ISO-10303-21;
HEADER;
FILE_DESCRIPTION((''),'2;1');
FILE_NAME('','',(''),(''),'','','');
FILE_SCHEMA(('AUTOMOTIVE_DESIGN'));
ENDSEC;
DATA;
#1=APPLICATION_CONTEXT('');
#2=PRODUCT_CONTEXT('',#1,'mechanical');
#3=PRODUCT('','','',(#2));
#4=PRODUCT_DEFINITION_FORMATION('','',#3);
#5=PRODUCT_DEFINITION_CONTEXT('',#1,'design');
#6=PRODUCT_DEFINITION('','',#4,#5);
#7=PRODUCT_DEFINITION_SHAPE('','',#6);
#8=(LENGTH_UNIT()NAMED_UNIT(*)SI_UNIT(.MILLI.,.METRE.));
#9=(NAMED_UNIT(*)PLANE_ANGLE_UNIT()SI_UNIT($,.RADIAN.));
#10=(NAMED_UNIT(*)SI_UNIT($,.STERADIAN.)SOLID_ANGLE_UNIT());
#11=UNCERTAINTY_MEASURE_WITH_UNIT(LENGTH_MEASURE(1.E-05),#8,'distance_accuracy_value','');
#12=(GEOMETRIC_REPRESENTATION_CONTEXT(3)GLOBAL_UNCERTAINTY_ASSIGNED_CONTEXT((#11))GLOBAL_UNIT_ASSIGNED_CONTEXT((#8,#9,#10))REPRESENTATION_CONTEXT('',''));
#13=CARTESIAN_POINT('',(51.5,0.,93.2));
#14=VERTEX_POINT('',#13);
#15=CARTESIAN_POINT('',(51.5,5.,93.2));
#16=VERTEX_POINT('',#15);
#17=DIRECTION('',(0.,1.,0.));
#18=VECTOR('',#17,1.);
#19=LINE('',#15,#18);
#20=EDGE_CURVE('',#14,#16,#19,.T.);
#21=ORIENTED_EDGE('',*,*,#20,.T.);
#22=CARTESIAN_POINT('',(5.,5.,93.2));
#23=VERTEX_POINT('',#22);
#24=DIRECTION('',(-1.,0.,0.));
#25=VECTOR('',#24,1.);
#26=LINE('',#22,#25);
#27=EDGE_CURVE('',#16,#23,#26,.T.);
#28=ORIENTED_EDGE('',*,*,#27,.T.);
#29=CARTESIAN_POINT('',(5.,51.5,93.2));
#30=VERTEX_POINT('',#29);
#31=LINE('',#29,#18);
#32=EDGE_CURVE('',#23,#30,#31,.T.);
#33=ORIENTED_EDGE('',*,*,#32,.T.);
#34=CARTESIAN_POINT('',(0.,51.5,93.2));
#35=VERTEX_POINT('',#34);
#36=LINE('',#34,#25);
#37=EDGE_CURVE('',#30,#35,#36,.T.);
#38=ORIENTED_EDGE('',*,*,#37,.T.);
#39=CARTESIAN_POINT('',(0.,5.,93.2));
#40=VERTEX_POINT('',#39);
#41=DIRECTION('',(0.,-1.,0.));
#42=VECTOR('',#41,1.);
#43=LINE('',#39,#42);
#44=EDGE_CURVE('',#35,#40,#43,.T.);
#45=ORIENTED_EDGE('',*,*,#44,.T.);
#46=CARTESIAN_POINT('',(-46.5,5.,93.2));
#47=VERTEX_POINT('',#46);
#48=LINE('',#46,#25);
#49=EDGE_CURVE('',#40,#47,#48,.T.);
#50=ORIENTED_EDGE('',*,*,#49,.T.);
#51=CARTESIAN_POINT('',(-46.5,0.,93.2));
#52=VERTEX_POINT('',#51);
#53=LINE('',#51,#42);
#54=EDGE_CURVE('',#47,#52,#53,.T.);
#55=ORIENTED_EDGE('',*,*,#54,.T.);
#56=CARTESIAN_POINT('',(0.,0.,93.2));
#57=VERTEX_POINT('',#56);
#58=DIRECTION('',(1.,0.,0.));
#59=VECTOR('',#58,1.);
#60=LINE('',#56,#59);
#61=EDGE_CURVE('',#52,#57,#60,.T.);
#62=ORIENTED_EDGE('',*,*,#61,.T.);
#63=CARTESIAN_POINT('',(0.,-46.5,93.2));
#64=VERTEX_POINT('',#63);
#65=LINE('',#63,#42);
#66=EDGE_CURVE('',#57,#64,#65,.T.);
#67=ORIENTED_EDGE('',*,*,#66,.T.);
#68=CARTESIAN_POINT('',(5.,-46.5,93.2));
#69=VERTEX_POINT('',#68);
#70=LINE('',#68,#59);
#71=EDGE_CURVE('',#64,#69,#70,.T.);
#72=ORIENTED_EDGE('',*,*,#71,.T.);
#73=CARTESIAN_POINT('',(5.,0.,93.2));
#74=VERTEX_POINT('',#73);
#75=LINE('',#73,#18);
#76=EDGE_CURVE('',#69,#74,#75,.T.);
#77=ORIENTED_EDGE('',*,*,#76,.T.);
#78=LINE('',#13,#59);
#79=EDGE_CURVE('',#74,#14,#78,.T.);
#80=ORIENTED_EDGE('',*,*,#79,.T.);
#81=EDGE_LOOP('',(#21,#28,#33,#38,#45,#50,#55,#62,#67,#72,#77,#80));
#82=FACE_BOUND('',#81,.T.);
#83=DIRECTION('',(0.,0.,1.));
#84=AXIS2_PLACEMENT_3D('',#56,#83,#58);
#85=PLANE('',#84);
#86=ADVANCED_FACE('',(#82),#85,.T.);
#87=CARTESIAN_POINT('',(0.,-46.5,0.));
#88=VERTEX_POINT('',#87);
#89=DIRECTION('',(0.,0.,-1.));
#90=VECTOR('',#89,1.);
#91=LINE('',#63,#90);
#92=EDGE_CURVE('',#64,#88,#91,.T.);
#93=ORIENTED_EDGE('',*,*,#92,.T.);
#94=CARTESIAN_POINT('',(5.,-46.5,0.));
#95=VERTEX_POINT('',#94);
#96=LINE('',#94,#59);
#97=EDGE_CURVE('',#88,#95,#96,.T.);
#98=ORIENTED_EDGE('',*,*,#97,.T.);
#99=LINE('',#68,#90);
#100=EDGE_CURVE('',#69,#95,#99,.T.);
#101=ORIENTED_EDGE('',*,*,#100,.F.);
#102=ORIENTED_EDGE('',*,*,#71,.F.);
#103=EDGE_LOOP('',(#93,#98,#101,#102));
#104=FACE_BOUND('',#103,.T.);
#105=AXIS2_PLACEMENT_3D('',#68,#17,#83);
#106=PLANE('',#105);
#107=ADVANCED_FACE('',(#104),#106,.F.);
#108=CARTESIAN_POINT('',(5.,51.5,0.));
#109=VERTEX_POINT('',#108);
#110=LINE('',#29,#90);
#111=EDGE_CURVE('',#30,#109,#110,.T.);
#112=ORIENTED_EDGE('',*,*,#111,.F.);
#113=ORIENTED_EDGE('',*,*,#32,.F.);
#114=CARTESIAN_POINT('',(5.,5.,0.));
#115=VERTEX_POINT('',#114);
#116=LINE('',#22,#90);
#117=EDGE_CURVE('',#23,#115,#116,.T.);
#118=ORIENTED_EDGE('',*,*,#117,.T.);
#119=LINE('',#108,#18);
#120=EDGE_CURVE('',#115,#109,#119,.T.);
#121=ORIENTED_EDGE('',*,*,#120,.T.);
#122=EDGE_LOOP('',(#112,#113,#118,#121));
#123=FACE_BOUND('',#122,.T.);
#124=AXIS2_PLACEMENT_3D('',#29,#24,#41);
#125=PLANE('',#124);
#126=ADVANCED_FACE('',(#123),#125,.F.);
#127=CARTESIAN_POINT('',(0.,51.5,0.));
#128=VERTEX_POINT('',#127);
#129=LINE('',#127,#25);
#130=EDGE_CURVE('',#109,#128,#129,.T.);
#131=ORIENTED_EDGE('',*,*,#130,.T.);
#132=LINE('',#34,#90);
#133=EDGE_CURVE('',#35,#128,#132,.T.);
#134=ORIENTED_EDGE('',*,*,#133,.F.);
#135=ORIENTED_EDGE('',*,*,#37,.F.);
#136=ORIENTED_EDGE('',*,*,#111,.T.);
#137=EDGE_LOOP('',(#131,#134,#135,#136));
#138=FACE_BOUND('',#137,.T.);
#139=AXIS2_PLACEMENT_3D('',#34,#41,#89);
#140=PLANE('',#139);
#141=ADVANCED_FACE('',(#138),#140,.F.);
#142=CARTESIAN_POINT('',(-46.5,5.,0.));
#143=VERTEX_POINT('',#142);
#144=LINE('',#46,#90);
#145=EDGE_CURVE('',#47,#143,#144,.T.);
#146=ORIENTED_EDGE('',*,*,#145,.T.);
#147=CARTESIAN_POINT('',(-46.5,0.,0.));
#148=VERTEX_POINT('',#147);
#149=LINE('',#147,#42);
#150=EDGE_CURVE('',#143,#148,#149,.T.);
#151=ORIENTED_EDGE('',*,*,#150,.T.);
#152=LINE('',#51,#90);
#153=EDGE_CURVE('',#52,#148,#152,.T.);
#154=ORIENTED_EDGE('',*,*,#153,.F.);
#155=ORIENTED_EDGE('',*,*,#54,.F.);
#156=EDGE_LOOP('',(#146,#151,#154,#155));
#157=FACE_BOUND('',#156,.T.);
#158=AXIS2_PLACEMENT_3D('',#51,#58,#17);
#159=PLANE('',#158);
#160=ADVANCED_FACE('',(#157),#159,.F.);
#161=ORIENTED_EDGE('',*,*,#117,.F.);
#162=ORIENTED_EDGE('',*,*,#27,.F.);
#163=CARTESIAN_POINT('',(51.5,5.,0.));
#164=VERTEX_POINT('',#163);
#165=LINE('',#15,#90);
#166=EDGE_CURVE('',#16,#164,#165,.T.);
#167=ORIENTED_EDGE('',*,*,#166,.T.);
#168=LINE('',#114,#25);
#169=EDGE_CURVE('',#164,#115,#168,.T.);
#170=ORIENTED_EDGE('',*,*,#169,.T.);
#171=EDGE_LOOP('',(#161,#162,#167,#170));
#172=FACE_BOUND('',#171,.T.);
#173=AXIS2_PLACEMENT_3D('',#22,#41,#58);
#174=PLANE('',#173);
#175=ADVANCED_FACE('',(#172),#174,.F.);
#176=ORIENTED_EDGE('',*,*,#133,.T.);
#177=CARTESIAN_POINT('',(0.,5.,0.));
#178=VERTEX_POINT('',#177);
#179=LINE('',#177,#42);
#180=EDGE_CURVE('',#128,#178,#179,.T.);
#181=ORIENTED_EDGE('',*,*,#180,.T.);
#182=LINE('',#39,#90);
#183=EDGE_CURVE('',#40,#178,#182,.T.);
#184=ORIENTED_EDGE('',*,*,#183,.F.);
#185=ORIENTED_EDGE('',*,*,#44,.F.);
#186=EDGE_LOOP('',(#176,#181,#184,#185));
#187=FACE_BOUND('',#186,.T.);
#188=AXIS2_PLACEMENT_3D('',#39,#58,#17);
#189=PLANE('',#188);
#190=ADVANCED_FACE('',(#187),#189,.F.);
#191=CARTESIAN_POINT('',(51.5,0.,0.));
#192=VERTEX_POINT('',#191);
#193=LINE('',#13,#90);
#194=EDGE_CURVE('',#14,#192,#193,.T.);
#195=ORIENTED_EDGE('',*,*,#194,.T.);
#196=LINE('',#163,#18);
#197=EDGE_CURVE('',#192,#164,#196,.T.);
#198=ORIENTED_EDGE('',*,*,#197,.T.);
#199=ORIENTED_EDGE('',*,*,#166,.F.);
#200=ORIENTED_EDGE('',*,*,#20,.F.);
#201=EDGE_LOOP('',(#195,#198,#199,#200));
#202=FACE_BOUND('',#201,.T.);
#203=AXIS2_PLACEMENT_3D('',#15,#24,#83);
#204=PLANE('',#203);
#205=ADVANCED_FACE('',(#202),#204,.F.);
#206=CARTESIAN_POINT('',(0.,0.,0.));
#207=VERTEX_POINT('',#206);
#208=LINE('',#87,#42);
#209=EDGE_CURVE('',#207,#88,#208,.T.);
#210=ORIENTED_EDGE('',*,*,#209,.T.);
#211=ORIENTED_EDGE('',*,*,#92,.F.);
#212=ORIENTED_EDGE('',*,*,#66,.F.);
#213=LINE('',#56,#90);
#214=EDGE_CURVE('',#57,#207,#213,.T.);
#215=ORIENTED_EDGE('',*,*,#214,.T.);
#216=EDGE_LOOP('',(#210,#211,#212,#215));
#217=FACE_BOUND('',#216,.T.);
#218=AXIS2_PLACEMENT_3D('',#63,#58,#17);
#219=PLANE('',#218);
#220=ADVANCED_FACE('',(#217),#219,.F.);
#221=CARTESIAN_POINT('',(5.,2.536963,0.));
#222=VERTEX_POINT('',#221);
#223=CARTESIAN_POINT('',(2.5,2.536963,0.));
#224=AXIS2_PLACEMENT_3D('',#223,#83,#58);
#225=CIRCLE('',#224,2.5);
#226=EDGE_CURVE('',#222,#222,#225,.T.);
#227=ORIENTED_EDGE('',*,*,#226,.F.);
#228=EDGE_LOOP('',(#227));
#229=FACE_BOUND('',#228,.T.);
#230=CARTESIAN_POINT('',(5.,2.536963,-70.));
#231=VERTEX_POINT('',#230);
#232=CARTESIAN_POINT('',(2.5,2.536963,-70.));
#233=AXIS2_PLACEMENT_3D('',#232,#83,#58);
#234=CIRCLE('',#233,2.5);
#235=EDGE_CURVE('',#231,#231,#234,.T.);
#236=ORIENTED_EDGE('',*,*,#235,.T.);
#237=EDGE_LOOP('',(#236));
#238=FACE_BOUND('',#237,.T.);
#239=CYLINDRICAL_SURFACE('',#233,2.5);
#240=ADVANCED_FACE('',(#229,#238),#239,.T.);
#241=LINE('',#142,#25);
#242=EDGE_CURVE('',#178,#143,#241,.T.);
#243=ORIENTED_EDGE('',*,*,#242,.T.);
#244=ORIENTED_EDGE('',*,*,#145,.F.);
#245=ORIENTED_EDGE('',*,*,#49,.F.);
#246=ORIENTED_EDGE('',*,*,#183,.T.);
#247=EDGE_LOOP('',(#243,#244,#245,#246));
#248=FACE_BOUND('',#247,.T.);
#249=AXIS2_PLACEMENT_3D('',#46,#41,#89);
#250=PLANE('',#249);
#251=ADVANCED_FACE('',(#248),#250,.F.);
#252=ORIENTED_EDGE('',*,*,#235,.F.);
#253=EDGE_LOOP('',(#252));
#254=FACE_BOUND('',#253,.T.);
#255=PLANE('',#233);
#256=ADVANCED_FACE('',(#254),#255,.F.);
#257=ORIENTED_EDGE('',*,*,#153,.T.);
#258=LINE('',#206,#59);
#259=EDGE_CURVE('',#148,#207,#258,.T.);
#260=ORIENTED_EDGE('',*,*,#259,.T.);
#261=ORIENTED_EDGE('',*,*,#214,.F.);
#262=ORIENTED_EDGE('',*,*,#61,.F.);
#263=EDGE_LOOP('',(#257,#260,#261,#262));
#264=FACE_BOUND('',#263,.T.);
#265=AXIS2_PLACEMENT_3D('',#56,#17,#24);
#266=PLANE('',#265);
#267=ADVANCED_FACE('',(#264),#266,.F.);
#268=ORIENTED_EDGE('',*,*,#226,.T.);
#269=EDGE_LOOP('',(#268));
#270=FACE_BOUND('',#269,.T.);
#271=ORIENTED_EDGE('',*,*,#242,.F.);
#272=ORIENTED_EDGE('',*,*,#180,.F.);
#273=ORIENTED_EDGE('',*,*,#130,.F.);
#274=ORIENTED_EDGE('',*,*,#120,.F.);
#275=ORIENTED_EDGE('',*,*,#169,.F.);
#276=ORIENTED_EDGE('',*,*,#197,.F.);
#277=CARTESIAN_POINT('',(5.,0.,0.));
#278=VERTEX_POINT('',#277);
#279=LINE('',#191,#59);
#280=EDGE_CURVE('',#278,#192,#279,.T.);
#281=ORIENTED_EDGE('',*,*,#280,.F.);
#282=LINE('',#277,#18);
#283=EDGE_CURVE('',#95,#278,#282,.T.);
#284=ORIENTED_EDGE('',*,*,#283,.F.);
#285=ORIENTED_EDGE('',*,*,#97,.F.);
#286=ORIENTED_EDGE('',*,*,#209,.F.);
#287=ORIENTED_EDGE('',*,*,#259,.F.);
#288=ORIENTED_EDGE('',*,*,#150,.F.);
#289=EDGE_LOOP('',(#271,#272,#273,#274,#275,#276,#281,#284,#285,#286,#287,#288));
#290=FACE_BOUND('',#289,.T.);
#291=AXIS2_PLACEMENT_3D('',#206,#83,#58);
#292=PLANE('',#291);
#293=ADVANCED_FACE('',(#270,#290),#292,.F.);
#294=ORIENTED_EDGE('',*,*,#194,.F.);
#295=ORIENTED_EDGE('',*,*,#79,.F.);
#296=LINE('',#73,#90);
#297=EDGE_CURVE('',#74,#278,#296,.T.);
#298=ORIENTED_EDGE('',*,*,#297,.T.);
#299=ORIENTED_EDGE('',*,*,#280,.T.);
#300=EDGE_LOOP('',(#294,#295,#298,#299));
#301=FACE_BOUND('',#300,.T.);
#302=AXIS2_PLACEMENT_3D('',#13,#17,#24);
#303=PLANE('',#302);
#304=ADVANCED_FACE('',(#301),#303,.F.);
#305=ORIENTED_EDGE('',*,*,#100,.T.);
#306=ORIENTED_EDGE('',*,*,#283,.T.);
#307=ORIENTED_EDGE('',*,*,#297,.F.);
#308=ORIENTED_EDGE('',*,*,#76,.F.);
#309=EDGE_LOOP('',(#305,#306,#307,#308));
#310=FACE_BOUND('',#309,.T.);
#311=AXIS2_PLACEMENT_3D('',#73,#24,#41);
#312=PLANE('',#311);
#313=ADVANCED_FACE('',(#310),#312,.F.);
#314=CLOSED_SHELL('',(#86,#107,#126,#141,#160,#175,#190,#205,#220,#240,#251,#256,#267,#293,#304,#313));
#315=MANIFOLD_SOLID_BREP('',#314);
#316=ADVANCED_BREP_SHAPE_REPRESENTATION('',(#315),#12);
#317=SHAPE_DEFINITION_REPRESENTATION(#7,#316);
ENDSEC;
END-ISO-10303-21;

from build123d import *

# Parameters (mm, degrees)
P_IDAT_VYSUNUT_M1_DEPTH = 93.2
SKICA2_R                = 2.5
P_IDAT_VYSUNUT_M2_DEPTH = 70


with BuildPart() as part:
    # Skica1 → Přidat vysunutím1 (new body)
    with BuildSketch(Plane.XY):
        Polygon((0, 0), (-46.5, 0), (-46.5, 5), (0, 5), (0, 51.5), (5, 51.5), (5, 5), (51.5, 5), (51.5, 0), (5, 0), (5, -46.5), (0, -46.5), align=None)
    extrude(amount=P_IDAT_VYSUNUT_M1_DEPTH)

    # Skica2 → Přidat vysunutím2 (add)
    with BuildSketch(Plane.XY):
        with Locations((2.5, 2.536963061)):
            Circle(SKICA2_R)
    extrude(amount=-P_IDAT_VYSUNUT_M2_DEPTH)


solid = part.part
